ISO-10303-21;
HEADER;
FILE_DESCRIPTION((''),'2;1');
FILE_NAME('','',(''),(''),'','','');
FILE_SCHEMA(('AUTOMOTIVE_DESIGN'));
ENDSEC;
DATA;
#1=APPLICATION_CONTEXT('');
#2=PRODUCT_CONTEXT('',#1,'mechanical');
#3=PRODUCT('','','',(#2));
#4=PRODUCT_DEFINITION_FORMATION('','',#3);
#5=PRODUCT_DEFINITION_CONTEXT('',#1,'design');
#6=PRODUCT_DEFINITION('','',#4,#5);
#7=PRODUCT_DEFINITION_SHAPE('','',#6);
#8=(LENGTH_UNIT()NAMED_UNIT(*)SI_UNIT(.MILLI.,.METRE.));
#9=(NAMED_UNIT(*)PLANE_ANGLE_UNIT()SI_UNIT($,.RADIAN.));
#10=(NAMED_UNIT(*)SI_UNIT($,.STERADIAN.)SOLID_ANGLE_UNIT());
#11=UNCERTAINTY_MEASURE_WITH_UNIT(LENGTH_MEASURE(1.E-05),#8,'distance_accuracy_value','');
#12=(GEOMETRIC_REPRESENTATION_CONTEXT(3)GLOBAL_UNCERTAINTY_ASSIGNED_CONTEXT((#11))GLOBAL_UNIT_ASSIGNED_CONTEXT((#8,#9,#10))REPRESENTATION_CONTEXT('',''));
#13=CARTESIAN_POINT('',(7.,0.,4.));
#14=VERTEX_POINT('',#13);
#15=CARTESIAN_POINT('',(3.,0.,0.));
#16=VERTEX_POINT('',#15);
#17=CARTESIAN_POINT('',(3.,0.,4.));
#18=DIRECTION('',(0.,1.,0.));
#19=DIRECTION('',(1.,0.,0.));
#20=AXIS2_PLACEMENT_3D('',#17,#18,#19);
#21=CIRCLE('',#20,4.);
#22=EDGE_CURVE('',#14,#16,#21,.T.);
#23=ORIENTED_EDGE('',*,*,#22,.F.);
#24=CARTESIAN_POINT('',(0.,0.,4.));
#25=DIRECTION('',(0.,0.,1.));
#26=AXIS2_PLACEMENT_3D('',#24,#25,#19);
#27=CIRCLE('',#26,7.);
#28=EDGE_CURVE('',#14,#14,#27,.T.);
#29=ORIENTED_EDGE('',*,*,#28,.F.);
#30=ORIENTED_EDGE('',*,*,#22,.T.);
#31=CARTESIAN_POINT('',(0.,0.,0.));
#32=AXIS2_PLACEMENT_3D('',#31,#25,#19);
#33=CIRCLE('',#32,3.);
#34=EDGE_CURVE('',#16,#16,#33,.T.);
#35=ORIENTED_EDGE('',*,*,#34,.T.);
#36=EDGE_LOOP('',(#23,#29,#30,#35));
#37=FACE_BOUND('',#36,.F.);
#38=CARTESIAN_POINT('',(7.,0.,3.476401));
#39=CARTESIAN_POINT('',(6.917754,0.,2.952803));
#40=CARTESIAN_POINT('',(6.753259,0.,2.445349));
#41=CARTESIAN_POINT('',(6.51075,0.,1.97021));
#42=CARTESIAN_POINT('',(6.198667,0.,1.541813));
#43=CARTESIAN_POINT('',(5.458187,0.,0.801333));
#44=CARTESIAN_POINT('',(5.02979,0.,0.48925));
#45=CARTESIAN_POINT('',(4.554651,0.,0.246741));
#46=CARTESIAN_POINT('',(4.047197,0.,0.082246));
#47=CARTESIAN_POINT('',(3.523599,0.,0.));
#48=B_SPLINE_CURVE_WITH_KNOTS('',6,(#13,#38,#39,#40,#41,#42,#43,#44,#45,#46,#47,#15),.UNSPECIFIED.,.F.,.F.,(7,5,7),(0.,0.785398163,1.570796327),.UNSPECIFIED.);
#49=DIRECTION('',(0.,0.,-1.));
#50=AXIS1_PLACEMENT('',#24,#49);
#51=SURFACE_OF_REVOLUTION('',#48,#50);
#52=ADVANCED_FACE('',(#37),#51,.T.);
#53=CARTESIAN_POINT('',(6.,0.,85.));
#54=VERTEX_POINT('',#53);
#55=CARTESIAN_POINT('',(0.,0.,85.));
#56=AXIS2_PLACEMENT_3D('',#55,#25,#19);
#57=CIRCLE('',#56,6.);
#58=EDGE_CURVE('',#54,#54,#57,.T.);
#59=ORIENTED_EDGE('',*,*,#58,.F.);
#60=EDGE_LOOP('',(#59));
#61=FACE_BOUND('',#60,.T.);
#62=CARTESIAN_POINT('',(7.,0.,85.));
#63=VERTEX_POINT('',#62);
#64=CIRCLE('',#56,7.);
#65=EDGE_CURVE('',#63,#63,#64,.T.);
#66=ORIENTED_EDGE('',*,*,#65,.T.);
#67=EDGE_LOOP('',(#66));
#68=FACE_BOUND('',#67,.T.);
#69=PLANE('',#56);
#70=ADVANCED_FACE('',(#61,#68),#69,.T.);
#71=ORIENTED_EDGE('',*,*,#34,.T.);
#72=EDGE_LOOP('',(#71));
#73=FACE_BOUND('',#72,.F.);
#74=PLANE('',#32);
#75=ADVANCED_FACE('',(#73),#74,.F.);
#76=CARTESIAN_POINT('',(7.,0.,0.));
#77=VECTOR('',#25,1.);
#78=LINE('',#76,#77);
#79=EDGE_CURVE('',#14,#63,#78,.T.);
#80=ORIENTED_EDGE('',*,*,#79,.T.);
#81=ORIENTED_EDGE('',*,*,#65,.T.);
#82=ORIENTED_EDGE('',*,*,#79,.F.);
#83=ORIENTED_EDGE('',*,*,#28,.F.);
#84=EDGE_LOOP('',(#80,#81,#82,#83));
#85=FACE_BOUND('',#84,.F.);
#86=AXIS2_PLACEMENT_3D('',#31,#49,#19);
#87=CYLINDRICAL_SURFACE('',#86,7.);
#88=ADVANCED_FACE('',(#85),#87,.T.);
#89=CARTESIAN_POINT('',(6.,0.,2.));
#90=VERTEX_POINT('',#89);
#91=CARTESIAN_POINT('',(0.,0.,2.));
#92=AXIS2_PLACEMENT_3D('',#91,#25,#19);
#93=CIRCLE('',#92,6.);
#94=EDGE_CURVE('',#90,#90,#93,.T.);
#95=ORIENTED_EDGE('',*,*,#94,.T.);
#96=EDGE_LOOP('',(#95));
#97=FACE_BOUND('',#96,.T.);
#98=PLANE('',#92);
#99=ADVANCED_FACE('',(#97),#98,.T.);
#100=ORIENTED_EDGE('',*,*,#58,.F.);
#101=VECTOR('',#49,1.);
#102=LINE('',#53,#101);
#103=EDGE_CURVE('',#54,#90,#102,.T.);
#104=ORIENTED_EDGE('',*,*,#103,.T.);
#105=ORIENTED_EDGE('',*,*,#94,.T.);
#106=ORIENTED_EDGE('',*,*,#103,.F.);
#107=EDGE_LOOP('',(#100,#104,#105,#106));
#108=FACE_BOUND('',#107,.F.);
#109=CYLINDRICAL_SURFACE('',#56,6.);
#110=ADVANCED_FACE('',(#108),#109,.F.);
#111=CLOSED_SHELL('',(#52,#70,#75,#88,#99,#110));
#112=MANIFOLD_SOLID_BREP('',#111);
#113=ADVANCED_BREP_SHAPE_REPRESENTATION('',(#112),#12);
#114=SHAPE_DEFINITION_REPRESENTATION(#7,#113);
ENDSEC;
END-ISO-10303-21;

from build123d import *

# Parameters (mm, degrees)
SKETCH_R     = 7
PAD_DEPTH    = 85
SKETCH001_R  = 6
POCKET_DEPTH = 83
FILLET_R     = 4


with BuildPart() as part:
    # Sketch → Pad (new body)
    with BuildSketch(Plane.XY):
        Circle(SKETCH_R)
    extrude(amount=PAD_DEPTH)

    # Sketch001 (on Face3 of Pad) → Pocket (cut)
    with BuildSketch(Plane.XY.offset(85)):
        Circle(SKETCH001_R)
    extrude(amount=-POCKET_DEPTH, mode=Mode.SUBTRACT)

    # Fillet
    fillet_edges = [part.edges().sort_by_distance(p)[0] for p in [
        (-7, 0, 0),
    ]]
    fillet(fillet_edges, radius=FILLET_R)


solid = part.part
